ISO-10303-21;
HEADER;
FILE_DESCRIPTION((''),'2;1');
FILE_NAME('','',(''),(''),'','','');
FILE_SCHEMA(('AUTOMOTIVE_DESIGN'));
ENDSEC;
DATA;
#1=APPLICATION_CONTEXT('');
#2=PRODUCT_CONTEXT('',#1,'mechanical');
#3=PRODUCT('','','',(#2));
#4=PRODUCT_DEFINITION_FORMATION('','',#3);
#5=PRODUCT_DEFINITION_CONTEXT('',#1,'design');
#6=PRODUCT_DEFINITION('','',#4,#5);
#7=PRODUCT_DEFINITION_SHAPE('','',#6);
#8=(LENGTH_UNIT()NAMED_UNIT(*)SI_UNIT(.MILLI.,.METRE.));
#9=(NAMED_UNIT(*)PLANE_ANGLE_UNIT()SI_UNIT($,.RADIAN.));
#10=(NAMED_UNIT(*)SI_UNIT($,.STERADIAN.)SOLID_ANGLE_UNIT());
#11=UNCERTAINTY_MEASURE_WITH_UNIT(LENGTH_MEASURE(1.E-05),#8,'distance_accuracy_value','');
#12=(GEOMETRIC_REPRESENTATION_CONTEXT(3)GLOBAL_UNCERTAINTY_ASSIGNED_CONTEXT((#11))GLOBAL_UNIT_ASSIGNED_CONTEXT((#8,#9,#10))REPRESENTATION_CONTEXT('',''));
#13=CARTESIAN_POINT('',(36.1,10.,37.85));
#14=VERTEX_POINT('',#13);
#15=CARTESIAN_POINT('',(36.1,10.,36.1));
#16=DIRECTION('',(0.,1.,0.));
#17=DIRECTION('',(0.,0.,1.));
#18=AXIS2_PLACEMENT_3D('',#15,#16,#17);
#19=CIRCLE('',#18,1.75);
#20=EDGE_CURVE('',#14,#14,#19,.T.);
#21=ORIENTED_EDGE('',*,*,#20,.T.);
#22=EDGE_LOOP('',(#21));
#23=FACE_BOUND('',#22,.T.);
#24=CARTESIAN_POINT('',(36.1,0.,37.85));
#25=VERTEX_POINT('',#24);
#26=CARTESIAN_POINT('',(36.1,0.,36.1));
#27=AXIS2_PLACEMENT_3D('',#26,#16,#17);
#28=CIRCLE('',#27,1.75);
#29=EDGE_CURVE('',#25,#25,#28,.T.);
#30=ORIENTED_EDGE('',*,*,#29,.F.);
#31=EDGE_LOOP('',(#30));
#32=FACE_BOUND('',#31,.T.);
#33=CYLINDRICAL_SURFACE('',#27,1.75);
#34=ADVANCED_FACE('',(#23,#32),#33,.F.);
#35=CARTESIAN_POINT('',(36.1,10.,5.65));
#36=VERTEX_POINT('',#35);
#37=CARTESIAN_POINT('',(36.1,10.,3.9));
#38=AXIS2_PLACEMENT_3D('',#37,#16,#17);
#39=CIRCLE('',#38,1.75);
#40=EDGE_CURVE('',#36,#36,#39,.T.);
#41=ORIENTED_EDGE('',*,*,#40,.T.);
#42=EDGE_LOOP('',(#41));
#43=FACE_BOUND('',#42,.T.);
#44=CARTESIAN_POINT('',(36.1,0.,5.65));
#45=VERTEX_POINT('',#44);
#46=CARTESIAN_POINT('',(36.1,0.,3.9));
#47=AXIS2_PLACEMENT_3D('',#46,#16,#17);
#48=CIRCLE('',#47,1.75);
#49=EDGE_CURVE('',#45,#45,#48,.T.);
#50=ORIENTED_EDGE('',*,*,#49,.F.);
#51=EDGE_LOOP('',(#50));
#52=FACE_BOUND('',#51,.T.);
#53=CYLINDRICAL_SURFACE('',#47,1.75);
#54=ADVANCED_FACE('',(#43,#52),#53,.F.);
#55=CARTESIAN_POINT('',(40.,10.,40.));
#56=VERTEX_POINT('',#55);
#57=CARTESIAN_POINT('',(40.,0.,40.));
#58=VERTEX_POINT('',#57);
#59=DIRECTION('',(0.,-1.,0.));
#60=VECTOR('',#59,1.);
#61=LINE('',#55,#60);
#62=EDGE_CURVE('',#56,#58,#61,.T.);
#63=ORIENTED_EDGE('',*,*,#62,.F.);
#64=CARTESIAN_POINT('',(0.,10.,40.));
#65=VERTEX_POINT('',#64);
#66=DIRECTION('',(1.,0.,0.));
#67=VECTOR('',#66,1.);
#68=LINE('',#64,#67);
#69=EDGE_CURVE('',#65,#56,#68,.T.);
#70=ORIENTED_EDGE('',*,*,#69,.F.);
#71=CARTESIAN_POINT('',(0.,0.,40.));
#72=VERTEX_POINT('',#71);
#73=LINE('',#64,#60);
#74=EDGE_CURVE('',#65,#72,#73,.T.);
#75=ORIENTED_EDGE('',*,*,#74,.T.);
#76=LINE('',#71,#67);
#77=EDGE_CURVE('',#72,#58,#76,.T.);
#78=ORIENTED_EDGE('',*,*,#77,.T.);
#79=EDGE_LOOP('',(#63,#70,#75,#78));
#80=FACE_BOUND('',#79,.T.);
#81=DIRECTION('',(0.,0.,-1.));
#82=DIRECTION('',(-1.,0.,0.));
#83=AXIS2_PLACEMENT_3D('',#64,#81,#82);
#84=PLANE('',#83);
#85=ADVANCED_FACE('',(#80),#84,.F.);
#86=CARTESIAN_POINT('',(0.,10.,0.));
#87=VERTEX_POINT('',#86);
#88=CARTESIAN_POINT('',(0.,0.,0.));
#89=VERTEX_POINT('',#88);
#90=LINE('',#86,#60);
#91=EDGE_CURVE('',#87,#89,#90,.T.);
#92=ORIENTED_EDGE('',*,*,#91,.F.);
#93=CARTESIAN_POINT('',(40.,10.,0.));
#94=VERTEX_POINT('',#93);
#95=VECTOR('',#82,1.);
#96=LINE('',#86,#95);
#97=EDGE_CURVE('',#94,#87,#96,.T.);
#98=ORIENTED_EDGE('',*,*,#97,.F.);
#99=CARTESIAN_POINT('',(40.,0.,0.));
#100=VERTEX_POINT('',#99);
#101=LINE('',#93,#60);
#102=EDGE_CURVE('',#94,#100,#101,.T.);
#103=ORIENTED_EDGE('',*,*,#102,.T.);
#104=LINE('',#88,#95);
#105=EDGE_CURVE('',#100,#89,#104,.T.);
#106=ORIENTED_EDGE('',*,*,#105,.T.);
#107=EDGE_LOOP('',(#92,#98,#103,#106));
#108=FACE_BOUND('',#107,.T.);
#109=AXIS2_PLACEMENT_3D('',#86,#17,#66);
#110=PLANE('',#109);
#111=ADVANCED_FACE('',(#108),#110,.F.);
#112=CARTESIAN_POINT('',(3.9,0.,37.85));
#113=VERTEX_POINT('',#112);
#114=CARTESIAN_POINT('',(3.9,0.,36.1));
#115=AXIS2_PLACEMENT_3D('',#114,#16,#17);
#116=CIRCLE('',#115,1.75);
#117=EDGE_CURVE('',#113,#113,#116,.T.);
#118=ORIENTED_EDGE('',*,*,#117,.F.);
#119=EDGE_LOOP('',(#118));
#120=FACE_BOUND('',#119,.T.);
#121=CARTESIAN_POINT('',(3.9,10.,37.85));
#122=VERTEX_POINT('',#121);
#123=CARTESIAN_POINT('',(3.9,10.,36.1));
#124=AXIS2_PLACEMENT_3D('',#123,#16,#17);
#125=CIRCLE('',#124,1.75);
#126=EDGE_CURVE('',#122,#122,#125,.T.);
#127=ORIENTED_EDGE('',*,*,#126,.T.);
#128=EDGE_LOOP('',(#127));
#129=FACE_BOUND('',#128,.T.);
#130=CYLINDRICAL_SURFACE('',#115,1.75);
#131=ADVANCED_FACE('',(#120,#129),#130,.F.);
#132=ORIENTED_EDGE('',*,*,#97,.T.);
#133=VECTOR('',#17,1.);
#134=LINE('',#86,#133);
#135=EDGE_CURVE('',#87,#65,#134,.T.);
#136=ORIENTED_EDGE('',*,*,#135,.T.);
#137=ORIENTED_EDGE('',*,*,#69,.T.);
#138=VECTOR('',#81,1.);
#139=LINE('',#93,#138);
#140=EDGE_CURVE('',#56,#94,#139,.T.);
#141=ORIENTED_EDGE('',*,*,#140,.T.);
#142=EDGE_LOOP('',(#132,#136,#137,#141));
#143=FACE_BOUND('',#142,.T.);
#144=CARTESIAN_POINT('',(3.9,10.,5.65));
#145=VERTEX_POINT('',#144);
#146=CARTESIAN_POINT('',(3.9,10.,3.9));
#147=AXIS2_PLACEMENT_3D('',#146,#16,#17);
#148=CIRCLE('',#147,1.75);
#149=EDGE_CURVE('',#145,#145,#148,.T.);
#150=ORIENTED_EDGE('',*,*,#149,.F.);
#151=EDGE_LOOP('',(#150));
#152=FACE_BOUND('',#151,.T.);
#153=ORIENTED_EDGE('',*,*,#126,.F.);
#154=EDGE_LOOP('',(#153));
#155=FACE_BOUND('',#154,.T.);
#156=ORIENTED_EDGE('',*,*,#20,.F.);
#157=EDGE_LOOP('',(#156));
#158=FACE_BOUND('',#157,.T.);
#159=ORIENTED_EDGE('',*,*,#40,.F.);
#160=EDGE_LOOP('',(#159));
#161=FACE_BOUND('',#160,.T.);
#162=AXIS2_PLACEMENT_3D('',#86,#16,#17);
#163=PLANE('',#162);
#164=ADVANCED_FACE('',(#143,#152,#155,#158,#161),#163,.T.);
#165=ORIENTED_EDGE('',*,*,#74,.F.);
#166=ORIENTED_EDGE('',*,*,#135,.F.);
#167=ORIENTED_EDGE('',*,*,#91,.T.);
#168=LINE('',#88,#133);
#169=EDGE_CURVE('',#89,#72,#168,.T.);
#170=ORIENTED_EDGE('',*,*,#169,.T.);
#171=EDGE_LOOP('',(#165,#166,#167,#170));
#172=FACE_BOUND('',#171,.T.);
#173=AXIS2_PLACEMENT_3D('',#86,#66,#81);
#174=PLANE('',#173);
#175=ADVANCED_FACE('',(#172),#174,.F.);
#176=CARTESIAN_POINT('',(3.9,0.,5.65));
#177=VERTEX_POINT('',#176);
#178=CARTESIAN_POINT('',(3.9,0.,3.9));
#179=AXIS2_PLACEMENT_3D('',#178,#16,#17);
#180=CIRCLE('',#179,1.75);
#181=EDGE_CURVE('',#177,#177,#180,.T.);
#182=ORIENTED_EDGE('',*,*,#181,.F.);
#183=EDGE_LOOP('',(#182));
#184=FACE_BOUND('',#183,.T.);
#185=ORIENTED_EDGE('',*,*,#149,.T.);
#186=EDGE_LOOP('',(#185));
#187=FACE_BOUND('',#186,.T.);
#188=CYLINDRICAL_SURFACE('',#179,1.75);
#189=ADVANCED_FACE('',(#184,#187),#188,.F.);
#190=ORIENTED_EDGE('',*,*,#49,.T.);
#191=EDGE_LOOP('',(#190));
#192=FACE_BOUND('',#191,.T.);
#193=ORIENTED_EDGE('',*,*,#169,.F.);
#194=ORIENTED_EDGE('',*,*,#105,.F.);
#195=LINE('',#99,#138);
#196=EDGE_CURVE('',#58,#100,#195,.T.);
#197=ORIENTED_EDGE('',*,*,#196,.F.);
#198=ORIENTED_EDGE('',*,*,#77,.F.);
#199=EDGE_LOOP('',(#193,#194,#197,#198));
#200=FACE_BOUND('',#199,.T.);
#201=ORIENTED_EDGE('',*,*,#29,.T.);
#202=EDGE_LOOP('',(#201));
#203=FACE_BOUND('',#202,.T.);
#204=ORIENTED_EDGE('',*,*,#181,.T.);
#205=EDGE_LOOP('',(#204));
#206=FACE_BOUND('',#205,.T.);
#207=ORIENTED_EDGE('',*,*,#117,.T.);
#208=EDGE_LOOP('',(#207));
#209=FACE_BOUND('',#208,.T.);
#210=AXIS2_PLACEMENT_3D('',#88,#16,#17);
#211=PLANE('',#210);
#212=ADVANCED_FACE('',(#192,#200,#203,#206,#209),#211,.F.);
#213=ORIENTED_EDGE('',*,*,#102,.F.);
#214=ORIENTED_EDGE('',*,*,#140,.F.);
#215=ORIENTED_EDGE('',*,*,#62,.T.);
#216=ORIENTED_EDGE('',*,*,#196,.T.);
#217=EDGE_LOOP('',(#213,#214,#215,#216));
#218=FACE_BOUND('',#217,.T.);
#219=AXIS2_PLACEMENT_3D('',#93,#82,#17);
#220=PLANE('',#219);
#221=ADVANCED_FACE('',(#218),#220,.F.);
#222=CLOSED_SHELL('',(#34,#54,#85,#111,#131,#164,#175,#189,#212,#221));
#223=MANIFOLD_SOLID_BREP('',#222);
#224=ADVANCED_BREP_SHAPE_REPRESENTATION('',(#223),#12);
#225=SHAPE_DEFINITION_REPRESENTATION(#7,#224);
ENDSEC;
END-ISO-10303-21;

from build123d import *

# Parameters (mm, degrees)
SKETCH1_W           = 40
SKETCH1_H           = 40
BOSS_EXTRUDE1_DEPTH = 10
SKETCH2_R           = 1.75
CUT_EXTRUDE1_DEPTH  = 10


with BuildPart() as part:
    # Sketch1 → Boss-Extrude1 (new body)
    with BuildSketch(Plane(origin=(0, 0, 0), x_dir=(1, 0, 0), z_dir=(0, 1, 0))):
        with Locations((20, -20)):
            Rectangle(SKETCH1_W, SKETCH1_H)
    extrude(amount=BOSS_EXTRUDE1_DEPTH)

    # Sketch2 → Cut-Extrude1 (cut)
    with BuildSketch(Plane(origin=(0, 10, 0), x_dir=(1, 0, 0), z_dir=(0, 1, 0))):
        with Locations(Location((3.9, -3.9, 0), (0, 0, 270))):
            Circle(SKETCH2_R)
        with Locations(Location((36.1, -3.9, 0), (0, 0, 270))):
            Circle(SKETCH2_R)
        with Locations(Location((36.1, -36.1, 0), (0, 0, 270))):
            Circle(SKETCH2_R)
        with Locations(Location((3.9, -36.1, 0), (0, 0, 270))):
            Circle(SKETCH2_R)
    extrude(amount=-CUT_EXTRUDE1_DEPTH, mode=Mode.SUBTRACT)


solid = part.part
